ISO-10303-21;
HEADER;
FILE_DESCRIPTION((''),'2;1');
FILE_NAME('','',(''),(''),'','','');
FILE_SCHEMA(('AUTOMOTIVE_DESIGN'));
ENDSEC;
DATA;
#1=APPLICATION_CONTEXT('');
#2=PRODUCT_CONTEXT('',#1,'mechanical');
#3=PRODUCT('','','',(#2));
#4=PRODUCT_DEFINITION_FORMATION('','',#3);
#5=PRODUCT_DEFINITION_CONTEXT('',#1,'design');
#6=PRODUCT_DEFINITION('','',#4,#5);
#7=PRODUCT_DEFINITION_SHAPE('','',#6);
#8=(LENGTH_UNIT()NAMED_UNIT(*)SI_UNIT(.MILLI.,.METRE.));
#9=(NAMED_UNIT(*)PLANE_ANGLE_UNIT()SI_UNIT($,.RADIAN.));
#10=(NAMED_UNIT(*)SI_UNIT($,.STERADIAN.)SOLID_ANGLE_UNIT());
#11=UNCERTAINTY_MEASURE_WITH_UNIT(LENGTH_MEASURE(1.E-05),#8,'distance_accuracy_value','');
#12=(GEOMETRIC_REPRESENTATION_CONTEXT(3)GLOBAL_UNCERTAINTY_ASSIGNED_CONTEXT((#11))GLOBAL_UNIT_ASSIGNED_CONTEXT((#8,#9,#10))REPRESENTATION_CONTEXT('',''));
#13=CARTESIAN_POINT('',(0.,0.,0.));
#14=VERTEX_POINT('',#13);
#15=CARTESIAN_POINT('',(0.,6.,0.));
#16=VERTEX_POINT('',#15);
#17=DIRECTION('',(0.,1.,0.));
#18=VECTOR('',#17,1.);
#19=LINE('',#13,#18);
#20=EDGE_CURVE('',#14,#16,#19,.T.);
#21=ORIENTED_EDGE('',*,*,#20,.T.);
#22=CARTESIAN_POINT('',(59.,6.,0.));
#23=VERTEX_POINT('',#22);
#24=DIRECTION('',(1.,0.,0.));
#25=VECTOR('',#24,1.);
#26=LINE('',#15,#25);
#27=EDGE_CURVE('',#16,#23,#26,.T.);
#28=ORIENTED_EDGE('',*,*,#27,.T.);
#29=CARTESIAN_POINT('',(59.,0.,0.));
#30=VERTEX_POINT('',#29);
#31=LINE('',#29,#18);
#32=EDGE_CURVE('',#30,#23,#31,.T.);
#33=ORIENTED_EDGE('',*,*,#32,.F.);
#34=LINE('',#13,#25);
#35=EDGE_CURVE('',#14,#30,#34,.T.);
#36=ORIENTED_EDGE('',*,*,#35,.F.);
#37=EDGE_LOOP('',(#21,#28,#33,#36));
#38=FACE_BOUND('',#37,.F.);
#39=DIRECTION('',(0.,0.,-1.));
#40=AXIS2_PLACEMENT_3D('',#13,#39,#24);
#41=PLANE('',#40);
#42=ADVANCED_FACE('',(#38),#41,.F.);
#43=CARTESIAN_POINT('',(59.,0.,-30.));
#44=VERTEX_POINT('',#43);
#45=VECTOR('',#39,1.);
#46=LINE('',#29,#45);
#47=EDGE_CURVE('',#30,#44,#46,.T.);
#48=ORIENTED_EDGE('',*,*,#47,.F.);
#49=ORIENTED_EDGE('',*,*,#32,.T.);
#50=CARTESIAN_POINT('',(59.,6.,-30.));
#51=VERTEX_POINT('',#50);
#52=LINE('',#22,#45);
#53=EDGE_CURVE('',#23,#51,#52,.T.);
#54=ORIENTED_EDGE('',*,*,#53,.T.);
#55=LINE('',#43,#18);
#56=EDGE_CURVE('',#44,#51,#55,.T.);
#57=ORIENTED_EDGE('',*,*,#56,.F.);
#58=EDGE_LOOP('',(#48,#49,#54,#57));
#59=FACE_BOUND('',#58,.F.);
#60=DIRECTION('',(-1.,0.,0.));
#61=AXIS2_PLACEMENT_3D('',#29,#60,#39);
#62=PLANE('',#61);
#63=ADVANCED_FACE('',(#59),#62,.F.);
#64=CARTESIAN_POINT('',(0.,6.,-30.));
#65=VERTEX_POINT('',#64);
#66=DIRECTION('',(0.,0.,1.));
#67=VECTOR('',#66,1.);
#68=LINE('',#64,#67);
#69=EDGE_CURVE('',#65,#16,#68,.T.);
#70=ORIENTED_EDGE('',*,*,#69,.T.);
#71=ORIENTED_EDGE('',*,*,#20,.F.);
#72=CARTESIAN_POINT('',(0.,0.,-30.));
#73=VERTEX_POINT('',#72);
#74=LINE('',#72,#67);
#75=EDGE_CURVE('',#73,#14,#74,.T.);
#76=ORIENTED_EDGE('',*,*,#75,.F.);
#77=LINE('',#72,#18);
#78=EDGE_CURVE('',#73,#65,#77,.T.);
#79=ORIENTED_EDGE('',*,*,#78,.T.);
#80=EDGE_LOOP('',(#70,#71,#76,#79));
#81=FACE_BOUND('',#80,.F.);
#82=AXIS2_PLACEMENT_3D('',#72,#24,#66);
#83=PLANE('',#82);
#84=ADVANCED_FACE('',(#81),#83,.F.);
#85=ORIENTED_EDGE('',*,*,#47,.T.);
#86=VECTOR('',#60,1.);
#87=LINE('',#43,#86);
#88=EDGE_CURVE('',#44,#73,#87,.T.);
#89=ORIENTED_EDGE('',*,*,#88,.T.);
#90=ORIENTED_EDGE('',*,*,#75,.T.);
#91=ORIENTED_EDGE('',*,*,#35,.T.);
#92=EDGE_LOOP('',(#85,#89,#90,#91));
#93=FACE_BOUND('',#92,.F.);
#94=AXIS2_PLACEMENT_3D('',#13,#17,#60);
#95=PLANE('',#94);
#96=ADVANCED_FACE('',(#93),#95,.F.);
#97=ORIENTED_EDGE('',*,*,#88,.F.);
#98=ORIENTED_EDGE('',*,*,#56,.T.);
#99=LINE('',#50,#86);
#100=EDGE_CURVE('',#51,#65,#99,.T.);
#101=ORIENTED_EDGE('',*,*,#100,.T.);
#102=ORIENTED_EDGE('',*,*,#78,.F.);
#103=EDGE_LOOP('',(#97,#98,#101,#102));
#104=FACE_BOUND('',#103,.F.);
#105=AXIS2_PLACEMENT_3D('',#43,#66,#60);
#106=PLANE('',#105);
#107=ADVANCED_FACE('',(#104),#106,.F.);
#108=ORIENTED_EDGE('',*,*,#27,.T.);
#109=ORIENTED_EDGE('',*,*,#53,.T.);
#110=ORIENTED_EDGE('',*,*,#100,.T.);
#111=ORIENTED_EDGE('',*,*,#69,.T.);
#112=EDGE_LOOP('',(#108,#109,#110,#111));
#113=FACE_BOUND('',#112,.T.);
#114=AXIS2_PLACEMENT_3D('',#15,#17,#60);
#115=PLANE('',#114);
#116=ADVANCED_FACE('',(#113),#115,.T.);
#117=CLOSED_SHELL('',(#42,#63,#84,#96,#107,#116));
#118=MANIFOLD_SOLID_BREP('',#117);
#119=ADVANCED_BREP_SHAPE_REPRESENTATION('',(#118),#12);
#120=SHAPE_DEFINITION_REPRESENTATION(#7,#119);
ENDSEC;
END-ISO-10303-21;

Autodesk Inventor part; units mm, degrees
ref_plane "YZ Plane" through (0, 0, 0) normal (1, 0, 0) x (0, 1, 0)
ref_plane "XZ Plane" through (0, 0, 0) normal (0, 1, 0) x (-1, 0, 0)
ref_plane "XY Plane" through (0, 0, 0) normal (0, 0, 1) x (1, 0, 0)
sketch "Sketch1" plane through (0, 0, 0) normal (0, 1, 0) x (-1, 0, 0)
  line L0 (0, 0) -> (-59, 0)
  line L1 (-59, 0) -> (-59, -30)
  line L2 (-59, -30) -> (0, -30)
  line L3 (0, -30) -> (0, 0)
  dimension "d0" = 59
  dimension "d1" = 30
extrude "Extrusion1" add sketch "Sketch1" along normal blind 6
properties part number "Gate"
